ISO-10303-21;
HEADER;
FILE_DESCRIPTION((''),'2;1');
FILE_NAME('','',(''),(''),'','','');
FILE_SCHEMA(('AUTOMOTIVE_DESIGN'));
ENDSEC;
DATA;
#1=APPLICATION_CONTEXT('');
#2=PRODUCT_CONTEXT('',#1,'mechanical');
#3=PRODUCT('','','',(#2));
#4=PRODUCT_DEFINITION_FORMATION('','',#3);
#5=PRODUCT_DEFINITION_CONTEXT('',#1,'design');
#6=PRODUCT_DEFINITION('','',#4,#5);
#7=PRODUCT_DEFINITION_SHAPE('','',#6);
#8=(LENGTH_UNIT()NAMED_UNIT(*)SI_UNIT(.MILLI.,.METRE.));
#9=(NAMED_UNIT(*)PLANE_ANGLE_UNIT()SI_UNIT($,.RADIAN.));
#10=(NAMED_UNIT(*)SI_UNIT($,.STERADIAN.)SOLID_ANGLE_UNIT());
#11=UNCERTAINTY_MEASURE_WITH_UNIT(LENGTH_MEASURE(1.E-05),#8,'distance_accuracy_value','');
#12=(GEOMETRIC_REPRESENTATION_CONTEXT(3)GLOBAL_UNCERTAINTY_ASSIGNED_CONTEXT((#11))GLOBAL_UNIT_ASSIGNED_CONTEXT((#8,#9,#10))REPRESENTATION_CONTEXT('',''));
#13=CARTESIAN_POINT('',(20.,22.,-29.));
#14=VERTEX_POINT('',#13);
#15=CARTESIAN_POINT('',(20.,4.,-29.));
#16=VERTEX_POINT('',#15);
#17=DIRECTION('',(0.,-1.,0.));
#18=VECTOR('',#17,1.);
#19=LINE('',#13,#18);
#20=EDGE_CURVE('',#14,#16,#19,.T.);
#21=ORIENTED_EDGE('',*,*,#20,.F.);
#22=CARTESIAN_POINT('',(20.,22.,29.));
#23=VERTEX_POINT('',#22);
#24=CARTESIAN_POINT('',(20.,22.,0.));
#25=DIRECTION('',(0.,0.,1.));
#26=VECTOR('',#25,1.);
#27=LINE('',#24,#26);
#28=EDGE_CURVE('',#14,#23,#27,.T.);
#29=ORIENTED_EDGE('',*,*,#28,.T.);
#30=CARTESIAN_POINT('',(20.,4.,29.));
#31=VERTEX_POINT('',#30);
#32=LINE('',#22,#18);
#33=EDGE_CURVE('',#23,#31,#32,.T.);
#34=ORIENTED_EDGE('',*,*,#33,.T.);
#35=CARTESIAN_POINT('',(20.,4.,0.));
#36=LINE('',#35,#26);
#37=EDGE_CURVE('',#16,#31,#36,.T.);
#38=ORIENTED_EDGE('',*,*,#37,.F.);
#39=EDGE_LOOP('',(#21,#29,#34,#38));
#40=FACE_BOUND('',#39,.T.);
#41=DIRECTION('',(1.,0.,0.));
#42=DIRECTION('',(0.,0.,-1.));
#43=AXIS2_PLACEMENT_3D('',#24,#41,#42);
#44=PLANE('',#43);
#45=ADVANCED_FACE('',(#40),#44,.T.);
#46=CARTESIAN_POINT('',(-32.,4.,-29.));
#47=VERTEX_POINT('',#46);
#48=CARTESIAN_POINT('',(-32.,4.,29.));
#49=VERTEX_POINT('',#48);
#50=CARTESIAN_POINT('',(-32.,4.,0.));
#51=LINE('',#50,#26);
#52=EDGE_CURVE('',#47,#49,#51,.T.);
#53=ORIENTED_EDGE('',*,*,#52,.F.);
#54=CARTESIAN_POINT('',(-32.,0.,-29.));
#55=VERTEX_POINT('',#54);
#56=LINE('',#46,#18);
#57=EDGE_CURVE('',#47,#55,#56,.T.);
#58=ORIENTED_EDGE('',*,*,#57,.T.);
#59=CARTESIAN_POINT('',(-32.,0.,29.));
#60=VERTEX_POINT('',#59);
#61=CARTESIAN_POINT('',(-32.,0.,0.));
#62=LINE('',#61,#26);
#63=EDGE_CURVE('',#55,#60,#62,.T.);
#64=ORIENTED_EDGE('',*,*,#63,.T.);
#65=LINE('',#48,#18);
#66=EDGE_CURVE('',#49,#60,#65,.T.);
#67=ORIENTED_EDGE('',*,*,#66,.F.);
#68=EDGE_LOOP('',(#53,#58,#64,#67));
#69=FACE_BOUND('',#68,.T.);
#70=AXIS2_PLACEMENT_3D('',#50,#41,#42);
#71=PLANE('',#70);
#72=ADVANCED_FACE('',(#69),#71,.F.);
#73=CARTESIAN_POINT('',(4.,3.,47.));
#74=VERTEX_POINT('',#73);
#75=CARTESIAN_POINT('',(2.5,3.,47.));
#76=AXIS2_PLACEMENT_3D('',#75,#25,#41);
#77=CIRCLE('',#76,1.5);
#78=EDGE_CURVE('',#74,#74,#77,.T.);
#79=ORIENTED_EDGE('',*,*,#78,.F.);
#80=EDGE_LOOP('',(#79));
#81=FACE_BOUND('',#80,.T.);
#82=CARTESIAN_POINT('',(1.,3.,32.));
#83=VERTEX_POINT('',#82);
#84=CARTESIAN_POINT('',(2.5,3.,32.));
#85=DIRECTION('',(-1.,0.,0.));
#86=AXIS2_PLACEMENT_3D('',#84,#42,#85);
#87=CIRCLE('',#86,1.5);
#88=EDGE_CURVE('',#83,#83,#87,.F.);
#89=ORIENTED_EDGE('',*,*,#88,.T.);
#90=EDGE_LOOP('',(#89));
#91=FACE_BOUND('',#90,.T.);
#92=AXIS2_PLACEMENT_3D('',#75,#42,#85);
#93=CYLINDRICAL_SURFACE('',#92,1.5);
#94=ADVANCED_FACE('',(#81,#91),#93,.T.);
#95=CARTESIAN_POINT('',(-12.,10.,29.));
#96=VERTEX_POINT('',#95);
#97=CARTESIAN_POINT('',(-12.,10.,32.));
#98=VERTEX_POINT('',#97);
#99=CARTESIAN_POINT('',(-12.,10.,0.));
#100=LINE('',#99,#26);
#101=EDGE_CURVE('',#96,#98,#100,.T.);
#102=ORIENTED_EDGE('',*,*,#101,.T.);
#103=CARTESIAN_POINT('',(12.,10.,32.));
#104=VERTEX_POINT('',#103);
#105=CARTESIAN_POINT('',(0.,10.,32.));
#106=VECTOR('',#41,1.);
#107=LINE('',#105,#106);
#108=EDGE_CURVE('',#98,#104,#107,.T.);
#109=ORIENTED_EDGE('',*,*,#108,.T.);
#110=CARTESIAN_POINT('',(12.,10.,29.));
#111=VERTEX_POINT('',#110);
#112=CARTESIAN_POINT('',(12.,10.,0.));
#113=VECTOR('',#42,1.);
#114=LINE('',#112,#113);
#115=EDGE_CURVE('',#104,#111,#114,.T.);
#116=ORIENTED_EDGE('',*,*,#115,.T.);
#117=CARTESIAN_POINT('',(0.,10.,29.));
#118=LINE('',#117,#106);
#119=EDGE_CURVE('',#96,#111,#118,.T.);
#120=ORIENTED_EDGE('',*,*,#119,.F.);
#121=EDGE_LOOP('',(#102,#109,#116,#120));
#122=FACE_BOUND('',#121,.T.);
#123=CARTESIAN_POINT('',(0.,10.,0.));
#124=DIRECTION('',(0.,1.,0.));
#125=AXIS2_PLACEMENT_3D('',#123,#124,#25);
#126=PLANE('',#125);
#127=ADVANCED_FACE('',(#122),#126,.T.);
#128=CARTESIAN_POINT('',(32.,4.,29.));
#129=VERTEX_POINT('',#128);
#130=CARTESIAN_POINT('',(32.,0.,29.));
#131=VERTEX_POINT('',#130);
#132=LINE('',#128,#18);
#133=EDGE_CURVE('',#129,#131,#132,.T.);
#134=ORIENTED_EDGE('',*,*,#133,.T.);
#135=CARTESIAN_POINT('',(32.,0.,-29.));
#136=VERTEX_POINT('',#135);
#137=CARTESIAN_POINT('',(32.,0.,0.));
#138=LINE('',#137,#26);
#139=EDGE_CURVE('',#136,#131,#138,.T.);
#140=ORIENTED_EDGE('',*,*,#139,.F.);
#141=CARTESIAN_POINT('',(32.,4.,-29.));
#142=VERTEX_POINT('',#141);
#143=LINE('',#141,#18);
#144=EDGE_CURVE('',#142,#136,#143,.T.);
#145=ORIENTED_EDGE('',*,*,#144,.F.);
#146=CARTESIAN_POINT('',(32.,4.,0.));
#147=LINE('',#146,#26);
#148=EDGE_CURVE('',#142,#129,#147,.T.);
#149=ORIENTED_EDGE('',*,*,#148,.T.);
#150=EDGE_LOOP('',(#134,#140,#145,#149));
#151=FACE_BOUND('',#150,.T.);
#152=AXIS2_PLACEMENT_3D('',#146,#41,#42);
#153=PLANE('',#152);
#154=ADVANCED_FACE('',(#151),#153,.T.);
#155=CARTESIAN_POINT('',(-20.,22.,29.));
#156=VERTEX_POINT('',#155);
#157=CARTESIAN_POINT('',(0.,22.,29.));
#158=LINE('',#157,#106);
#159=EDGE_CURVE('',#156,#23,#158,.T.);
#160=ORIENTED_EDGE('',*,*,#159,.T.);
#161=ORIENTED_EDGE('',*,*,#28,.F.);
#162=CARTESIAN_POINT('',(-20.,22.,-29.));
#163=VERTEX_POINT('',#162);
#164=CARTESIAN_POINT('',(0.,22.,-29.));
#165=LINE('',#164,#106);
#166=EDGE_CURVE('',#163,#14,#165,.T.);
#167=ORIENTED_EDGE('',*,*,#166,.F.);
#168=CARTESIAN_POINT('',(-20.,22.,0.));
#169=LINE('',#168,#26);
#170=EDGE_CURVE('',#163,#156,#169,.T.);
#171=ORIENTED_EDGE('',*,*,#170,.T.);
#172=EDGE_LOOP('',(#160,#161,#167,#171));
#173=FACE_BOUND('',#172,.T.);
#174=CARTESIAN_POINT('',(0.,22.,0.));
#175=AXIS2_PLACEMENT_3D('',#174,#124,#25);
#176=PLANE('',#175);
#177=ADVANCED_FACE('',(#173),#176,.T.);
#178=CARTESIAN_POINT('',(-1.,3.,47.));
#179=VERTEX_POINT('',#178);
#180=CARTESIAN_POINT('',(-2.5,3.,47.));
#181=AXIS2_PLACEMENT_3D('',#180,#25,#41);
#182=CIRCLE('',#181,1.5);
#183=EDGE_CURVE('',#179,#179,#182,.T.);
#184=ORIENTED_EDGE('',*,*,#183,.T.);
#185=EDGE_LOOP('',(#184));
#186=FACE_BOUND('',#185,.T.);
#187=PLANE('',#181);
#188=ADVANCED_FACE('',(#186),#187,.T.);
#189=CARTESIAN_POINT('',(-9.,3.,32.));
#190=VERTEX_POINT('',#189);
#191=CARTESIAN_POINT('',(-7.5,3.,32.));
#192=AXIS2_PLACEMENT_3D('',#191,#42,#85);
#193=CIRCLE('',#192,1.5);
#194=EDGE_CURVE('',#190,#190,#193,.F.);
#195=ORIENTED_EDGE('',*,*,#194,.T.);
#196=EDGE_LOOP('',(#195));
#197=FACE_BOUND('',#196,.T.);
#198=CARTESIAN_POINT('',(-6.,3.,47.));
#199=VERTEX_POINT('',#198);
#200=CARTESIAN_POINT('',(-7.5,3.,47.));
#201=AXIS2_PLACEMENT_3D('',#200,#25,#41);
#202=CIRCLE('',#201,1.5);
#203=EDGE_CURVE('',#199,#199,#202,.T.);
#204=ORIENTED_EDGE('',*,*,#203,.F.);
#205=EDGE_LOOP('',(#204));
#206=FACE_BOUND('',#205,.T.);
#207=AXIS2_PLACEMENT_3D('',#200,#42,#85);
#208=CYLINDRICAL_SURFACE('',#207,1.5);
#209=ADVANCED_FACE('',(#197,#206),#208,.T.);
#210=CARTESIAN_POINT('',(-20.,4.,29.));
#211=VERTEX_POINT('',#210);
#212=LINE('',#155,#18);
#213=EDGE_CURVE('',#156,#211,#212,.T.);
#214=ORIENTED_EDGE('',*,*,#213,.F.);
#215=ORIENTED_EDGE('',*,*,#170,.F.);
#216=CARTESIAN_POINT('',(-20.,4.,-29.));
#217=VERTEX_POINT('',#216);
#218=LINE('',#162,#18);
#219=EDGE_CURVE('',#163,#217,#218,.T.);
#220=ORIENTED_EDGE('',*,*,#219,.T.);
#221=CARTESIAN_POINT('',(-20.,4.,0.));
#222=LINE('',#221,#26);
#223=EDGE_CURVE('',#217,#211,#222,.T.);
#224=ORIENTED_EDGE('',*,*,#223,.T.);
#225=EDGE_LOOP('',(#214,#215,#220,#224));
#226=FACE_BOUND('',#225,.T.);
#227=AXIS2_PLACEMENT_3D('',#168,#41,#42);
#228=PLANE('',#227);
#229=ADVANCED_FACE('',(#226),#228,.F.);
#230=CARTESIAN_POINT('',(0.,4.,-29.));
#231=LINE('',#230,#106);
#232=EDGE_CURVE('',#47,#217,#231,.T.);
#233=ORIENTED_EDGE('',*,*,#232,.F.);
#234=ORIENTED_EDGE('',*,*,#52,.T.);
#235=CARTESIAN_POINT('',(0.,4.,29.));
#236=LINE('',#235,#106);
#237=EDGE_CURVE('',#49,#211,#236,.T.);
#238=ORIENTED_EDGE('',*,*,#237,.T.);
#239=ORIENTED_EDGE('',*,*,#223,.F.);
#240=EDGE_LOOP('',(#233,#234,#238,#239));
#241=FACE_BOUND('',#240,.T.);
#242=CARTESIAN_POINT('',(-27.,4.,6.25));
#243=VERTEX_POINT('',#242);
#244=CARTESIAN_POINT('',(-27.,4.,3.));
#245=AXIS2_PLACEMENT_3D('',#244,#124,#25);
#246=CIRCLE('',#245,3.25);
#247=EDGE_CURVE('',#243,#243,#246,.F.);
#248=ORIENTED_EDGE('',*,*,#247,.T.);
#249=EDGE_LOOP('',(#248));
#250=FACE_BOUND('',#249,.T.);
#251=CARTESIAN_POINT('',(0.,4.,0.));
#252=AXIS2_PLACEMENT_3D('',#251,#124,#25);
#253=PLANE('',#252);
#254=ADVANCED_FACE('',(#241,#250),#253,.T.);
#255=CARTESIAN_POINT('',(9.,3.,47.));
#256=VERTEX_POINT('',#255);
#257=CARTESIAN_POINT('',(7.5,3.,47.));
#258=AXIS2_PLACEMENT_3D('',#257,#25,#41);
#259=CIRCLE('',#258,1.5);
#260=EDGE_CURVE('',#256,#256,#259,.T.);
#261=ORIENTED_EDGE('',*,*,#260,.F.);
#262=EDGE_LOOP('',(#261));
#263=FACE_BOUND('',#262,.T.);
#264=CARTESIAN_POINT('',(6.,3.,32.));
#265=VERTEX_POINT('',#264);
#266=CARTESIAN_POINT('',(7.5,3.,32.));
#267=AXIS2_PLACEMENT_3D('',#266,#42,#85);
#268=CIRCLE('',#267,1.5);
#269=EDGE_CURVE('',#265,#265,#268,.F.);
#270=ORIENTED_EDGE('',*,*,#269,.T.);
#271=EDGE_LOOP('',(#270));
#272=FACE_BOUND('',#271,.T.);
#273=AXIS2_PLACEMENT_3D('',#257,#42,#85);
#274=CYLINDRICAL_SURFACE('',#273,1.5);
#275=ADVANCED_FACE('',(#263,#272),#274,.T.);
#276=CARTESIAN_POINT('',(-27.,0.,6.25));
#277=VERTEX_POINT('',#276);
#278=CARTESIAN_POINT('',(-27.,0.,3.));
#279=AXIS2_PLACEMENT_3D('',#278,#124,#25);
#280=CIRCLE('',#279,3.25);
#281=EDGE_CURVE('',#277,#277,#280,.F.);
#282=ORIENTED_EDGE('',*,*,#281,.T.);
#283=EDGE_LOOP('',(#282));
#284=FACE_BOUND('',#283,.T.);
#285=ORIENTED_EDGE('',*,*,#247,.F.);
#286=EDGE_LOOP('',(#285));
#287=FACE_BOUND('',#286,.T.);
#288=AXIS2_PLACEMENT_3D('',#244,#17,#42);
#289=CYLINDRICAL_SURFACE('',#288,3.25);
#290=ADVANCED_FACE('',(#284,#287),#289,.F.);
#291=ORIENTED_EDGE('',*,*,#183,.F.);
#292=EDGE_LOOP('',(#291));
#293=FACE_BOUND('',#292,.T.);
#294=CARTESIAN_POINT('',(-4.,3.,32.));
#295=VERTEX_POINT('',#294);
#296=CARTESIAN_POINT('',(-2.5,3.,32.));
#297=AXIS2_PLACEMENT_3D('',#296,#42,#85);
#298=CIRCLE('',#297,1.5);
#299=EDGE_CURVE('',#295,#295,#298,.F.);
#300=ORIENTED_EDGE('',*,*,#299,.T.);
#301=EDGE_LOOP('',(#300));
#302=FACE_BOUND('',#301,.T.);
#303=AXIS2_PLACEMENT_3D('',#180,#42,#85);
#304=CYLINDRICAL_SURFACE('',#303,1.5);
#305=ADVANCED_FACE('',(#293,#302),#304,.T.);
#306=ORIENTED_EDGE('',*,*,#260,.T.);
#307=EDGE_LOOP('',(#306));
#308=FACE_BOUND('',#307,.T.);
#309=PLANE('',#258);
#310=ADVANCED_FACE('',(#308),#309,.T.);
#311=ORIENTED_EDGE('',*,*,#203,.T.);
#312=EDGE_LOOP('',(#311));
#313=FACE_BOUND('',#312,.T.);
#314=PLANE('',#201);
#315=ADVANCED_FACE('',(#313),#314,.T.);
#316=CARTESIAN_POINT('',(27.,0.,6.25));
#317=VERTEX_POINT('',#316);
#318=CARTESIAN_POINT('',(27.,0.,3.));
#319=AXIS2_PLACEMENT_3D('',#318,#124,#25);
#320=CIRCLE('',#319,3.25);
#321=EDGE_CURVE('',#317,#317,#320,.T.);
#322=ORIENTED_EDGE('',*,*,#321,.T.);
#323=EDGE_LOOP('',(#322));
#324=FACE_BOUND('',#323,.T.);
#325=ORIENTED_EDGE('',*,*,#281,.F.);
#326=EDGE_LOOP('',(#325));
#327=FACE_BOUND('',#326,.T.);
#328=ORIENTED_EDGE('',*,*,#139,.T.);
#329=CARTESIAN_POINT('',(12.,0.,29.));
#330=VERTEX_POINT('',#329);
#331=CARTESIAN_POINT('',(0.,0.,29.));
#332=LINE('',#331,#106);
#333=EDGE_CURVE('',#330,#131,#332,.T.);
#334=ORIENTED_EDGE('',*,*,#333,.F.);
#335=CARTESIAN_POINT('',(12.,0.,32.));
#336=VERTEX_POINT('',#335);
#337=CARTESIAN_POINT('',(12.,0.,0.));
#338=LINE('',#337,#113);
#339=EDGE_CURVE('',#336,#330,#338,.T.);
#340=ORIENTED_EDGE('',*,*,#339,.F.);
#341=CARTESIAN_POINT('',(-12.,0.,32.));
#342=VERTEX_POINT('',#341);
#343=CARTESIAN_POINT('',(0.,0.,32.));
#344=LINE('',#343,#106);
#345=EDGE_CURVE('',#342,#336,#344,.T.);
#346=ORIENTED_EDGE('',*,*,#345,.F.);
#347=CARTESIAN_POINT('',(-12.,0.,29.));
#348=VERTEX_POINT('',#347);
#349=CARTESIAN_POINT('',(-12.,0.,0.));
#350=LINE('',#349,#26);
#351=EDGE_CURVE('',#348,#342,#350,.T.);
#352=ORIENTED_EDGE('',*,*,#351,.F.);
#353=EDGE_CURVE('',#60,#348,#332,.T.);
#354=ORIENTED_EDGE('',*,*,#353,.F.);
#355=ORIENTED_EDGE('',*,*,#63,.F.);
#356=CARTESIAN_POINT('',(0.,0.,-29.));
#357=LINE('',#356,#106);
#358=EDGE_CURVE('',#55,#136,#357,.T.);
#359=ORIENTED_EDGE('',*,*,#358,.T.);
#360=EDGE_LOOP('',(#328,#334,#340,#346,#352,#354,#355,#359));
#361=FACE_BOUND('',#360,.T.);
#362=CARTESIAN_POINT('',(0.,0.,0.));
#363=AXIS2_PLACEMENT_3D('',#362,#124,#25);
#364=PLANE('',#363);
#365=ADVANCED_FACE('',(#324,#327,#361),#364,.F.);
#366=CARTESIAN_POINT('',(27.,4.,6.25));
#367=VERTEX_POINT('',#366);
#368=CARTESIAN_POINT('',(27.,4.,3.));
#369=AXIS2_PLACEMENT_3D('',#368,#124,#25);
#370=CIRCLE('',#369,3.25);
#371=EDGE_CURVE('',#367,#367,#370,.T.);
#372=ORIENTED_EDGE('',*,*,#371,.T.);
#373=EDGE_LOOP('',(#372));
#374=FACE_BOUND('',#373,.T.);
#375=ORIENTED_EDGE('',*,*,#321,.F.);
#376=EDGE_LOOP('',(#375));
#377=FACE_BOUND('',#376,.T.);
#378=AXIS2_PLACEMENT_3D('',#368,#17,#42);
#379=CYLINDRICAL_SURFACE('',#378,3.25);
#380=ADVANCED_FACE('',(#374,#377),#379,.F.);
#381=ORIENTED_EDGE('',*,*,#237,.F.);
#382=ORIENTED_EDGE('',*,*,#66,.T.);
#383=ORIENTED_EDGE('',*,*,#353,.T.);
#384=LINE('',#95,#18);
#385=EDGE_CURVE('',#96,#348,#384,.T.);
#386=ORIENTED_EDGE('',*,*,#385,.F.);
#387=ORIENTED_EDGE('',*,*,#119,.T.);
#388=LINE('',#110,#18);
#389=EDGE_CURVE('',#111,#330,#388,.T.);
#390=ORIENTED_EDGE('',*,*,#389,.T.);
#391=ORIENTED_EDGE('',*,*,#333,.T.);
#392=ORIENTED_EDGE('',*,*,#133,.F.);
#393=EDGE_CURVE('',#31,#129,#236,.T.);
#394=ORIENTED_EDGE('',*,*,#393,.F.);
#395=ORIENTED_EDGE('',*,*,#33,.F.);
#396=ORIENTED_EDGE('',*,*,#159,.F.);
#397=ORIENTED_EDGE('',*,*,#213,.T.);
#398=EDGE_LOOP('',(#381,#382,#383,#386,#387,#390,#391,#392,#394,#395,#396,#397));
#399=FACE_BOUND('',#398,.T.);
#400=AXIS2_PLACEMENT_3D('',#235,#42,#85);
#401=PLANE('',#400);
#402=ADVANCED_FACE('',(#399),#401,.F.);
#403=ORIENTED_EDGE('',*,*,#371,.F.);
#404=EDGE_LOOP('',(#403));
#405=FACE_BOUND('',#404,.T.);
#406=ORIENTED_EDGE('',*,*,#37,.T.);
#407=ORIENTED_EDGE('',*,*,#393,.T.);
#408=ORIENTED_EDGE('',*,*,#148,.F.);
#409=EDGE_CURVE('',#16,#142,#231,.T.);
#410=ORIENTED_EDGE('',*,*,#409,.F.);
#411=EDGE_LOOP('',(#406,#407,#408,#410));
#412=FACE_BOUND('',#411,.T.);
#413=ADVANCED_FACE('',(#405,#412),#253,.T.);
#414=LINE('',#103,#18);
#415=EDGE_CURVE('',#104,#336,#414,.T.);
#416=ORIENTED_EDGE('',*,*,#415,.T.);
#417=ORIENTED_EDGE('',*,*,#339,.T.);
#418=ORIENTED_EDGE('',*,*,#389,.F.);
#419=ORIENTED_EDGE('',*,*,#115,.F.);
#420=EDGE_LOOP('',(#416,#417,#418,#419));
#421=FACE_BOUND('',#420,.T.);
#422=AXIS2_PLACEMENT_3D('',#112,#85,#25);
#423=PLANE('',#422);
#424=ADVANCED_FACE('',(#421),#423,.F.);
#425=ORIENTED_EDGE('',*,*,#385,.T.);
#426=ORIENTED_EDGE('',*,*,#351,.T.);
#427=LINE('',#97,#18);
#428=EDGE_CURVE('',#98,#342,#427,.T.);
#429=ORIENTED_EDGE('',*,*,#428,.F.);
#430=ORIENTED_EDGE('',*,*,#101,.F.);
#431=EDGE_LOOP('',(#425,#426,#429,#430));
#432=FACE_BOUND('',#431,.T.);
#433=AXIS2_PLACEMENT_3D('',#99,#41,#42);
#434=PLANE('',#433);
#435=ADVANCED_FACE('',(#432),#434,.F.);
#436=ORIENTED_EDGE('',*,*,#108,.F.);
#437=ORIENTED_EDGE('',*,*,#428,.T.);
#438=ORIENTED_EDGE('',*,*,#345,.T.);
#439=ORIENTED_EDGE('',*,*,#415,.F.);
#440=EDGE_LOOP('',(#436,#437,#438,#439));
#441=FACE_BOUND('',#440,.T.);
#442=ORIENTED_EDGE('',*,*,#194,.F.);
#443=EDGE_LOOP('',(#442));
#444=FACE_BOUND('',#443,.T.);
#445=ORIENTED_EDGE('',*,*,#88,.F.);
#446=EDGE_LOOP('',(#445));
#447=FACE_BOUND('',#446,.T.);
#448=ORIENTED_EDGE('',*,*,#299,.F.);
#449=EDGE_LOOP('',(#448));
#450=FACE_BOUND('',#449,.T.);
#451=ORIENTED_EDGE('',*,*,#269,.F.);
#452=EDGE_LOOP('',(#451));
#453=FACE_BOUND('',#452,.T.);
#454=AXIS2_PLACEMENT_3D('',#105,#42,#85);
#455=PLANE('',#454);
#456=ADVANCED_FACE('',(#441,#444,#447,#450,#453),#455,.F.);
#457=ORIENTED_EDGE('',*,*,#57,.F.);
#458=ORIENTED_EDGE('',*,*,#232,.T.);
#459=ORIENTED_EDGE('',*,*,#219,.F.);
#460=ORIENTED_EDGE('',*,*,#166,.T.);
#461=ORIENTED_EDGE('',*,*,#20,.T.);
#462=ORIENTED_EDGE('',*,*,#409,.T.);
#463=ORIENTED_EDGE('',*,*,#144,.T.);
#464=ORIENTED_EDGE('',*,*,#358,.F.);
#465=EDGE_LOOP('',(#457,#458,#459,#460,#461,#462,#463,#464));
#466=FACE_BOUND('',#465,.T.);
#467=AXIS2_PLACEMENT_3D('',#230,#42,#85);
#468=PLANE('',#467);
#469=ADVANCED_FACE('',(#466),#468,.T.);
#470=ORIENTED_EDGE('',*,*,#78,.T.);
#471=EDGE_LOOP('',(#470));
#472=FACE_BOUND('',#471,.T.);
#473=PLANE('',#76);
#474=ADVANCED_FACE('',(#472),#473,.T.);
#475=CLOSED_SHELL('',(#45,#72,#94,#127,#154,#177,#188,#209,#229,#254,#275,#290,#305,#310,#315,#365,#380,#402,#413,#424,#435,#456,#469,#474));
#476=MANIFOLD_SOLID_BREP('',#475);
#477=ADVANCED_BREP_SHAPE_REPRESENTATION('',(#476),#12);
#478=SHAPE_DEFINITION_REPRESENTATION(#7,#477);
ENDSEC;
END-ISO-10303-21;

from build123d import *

# Parameters (mm, degrees)
SKETCH1_W             = 12
SKETCH1_H             = 58
SKETCH1_R             = 3.25
BOSS_EXTRUDE1_DEPTH   = 4
BOSS_EXTRUDE1_2_DEPTH = 4
BOSS_EXTRUDE2_DEPTH   = 22
SKETCH1_4_W           = 24
SKETCH1_4_H           = 3
BOSS_EXTRUDE3_DEPTH   = 10
SKETCH2_R             = 1.5
BOSS_EXTRUDE4_DEPTH   = 15


with BuildPart() as part:
    # Sketch1 → Boss-Extrude1 (new body)
    with BuildSketch(Plane(origin=(0, 0, 0), x_dir=(1, 0, 0), z_dir=(0, 1, 0))):
        with Locations((-26, 0)):
            Rectangle(SKETCH1_W, SKETCH1_H)
        with Locations((-27, -3)):
            Circle(SKETCH1_R, mode=Mode.SUBTRACT)
    extrude(amount=BOSS_EXTRUDE1_DEPTH)



with BuildPart() as body_2:
    # Sketch1 → Boss-Extrude1 2 (new body)
    with BuildSketch(Plane(origin=(0, 0, 0), x_dir=(1, 0, 0), z_dir=(0, 1, 0))):
        with Locations((26, 0)):
            Rectangle(SKETCH1_W, SKETCH1_H)
        with Locations((27, -3)):
            Circle(SKETCH1_R, mode=Mode.SUBTRACT)
    extrude(amount=BOSS_EXTRUDE1_2_DEPTH)


with BuildPart() as part_1:
    add(part.part)

    add(body_2.part)  # Boss-Extrude2 merges body 2
    # Sketch1<3> → Boss-Extrude2 (add)
    with BuildSketch(Plane(origin=(0, 0, 0), x_dir=(1, 0, 0), z_dir=(0, 1, 0))):
        Polygon((20, 29), (-20, 29), (-20, -29), (-12, -29), (12, -29), (20, -29), align=None)
    extrude(amount=BOSS_EXTRUDE2_DEPTH)

    # Sketch1<4> → Boss-Extrude3 (add)
    with BuildSketch(Plane(origin=(0, 0, 0), x_dir=(1, 0, 0), z_dir=(0, 1, 0))):
        with Locations((0, -30.5)):
            Rectangle(SKETCH1_4_W, SKETCH1_4_H)
    extrude(amount=BOSS_EXTRUDE3_DEPTH)

    # Sketch2 → Boss-Extrude4 (add)
    with BuildSketch(Plane.XY.offset(32)):
        with Locations((-7.5, 3)):
            Circle(SKETCH2_R)
        with Locations((-2.5, 3)):
            Circle(SKETCH2_R)
        with Locations((2.5, 3)):
            Circle(SKETCH2_R)
        with Locations((7.5, 3)):
            Circle(SKETCH2_R)
    extrude(amount=BOSS_EXTRUDE4_DEPTH)


solid = part_1.part
